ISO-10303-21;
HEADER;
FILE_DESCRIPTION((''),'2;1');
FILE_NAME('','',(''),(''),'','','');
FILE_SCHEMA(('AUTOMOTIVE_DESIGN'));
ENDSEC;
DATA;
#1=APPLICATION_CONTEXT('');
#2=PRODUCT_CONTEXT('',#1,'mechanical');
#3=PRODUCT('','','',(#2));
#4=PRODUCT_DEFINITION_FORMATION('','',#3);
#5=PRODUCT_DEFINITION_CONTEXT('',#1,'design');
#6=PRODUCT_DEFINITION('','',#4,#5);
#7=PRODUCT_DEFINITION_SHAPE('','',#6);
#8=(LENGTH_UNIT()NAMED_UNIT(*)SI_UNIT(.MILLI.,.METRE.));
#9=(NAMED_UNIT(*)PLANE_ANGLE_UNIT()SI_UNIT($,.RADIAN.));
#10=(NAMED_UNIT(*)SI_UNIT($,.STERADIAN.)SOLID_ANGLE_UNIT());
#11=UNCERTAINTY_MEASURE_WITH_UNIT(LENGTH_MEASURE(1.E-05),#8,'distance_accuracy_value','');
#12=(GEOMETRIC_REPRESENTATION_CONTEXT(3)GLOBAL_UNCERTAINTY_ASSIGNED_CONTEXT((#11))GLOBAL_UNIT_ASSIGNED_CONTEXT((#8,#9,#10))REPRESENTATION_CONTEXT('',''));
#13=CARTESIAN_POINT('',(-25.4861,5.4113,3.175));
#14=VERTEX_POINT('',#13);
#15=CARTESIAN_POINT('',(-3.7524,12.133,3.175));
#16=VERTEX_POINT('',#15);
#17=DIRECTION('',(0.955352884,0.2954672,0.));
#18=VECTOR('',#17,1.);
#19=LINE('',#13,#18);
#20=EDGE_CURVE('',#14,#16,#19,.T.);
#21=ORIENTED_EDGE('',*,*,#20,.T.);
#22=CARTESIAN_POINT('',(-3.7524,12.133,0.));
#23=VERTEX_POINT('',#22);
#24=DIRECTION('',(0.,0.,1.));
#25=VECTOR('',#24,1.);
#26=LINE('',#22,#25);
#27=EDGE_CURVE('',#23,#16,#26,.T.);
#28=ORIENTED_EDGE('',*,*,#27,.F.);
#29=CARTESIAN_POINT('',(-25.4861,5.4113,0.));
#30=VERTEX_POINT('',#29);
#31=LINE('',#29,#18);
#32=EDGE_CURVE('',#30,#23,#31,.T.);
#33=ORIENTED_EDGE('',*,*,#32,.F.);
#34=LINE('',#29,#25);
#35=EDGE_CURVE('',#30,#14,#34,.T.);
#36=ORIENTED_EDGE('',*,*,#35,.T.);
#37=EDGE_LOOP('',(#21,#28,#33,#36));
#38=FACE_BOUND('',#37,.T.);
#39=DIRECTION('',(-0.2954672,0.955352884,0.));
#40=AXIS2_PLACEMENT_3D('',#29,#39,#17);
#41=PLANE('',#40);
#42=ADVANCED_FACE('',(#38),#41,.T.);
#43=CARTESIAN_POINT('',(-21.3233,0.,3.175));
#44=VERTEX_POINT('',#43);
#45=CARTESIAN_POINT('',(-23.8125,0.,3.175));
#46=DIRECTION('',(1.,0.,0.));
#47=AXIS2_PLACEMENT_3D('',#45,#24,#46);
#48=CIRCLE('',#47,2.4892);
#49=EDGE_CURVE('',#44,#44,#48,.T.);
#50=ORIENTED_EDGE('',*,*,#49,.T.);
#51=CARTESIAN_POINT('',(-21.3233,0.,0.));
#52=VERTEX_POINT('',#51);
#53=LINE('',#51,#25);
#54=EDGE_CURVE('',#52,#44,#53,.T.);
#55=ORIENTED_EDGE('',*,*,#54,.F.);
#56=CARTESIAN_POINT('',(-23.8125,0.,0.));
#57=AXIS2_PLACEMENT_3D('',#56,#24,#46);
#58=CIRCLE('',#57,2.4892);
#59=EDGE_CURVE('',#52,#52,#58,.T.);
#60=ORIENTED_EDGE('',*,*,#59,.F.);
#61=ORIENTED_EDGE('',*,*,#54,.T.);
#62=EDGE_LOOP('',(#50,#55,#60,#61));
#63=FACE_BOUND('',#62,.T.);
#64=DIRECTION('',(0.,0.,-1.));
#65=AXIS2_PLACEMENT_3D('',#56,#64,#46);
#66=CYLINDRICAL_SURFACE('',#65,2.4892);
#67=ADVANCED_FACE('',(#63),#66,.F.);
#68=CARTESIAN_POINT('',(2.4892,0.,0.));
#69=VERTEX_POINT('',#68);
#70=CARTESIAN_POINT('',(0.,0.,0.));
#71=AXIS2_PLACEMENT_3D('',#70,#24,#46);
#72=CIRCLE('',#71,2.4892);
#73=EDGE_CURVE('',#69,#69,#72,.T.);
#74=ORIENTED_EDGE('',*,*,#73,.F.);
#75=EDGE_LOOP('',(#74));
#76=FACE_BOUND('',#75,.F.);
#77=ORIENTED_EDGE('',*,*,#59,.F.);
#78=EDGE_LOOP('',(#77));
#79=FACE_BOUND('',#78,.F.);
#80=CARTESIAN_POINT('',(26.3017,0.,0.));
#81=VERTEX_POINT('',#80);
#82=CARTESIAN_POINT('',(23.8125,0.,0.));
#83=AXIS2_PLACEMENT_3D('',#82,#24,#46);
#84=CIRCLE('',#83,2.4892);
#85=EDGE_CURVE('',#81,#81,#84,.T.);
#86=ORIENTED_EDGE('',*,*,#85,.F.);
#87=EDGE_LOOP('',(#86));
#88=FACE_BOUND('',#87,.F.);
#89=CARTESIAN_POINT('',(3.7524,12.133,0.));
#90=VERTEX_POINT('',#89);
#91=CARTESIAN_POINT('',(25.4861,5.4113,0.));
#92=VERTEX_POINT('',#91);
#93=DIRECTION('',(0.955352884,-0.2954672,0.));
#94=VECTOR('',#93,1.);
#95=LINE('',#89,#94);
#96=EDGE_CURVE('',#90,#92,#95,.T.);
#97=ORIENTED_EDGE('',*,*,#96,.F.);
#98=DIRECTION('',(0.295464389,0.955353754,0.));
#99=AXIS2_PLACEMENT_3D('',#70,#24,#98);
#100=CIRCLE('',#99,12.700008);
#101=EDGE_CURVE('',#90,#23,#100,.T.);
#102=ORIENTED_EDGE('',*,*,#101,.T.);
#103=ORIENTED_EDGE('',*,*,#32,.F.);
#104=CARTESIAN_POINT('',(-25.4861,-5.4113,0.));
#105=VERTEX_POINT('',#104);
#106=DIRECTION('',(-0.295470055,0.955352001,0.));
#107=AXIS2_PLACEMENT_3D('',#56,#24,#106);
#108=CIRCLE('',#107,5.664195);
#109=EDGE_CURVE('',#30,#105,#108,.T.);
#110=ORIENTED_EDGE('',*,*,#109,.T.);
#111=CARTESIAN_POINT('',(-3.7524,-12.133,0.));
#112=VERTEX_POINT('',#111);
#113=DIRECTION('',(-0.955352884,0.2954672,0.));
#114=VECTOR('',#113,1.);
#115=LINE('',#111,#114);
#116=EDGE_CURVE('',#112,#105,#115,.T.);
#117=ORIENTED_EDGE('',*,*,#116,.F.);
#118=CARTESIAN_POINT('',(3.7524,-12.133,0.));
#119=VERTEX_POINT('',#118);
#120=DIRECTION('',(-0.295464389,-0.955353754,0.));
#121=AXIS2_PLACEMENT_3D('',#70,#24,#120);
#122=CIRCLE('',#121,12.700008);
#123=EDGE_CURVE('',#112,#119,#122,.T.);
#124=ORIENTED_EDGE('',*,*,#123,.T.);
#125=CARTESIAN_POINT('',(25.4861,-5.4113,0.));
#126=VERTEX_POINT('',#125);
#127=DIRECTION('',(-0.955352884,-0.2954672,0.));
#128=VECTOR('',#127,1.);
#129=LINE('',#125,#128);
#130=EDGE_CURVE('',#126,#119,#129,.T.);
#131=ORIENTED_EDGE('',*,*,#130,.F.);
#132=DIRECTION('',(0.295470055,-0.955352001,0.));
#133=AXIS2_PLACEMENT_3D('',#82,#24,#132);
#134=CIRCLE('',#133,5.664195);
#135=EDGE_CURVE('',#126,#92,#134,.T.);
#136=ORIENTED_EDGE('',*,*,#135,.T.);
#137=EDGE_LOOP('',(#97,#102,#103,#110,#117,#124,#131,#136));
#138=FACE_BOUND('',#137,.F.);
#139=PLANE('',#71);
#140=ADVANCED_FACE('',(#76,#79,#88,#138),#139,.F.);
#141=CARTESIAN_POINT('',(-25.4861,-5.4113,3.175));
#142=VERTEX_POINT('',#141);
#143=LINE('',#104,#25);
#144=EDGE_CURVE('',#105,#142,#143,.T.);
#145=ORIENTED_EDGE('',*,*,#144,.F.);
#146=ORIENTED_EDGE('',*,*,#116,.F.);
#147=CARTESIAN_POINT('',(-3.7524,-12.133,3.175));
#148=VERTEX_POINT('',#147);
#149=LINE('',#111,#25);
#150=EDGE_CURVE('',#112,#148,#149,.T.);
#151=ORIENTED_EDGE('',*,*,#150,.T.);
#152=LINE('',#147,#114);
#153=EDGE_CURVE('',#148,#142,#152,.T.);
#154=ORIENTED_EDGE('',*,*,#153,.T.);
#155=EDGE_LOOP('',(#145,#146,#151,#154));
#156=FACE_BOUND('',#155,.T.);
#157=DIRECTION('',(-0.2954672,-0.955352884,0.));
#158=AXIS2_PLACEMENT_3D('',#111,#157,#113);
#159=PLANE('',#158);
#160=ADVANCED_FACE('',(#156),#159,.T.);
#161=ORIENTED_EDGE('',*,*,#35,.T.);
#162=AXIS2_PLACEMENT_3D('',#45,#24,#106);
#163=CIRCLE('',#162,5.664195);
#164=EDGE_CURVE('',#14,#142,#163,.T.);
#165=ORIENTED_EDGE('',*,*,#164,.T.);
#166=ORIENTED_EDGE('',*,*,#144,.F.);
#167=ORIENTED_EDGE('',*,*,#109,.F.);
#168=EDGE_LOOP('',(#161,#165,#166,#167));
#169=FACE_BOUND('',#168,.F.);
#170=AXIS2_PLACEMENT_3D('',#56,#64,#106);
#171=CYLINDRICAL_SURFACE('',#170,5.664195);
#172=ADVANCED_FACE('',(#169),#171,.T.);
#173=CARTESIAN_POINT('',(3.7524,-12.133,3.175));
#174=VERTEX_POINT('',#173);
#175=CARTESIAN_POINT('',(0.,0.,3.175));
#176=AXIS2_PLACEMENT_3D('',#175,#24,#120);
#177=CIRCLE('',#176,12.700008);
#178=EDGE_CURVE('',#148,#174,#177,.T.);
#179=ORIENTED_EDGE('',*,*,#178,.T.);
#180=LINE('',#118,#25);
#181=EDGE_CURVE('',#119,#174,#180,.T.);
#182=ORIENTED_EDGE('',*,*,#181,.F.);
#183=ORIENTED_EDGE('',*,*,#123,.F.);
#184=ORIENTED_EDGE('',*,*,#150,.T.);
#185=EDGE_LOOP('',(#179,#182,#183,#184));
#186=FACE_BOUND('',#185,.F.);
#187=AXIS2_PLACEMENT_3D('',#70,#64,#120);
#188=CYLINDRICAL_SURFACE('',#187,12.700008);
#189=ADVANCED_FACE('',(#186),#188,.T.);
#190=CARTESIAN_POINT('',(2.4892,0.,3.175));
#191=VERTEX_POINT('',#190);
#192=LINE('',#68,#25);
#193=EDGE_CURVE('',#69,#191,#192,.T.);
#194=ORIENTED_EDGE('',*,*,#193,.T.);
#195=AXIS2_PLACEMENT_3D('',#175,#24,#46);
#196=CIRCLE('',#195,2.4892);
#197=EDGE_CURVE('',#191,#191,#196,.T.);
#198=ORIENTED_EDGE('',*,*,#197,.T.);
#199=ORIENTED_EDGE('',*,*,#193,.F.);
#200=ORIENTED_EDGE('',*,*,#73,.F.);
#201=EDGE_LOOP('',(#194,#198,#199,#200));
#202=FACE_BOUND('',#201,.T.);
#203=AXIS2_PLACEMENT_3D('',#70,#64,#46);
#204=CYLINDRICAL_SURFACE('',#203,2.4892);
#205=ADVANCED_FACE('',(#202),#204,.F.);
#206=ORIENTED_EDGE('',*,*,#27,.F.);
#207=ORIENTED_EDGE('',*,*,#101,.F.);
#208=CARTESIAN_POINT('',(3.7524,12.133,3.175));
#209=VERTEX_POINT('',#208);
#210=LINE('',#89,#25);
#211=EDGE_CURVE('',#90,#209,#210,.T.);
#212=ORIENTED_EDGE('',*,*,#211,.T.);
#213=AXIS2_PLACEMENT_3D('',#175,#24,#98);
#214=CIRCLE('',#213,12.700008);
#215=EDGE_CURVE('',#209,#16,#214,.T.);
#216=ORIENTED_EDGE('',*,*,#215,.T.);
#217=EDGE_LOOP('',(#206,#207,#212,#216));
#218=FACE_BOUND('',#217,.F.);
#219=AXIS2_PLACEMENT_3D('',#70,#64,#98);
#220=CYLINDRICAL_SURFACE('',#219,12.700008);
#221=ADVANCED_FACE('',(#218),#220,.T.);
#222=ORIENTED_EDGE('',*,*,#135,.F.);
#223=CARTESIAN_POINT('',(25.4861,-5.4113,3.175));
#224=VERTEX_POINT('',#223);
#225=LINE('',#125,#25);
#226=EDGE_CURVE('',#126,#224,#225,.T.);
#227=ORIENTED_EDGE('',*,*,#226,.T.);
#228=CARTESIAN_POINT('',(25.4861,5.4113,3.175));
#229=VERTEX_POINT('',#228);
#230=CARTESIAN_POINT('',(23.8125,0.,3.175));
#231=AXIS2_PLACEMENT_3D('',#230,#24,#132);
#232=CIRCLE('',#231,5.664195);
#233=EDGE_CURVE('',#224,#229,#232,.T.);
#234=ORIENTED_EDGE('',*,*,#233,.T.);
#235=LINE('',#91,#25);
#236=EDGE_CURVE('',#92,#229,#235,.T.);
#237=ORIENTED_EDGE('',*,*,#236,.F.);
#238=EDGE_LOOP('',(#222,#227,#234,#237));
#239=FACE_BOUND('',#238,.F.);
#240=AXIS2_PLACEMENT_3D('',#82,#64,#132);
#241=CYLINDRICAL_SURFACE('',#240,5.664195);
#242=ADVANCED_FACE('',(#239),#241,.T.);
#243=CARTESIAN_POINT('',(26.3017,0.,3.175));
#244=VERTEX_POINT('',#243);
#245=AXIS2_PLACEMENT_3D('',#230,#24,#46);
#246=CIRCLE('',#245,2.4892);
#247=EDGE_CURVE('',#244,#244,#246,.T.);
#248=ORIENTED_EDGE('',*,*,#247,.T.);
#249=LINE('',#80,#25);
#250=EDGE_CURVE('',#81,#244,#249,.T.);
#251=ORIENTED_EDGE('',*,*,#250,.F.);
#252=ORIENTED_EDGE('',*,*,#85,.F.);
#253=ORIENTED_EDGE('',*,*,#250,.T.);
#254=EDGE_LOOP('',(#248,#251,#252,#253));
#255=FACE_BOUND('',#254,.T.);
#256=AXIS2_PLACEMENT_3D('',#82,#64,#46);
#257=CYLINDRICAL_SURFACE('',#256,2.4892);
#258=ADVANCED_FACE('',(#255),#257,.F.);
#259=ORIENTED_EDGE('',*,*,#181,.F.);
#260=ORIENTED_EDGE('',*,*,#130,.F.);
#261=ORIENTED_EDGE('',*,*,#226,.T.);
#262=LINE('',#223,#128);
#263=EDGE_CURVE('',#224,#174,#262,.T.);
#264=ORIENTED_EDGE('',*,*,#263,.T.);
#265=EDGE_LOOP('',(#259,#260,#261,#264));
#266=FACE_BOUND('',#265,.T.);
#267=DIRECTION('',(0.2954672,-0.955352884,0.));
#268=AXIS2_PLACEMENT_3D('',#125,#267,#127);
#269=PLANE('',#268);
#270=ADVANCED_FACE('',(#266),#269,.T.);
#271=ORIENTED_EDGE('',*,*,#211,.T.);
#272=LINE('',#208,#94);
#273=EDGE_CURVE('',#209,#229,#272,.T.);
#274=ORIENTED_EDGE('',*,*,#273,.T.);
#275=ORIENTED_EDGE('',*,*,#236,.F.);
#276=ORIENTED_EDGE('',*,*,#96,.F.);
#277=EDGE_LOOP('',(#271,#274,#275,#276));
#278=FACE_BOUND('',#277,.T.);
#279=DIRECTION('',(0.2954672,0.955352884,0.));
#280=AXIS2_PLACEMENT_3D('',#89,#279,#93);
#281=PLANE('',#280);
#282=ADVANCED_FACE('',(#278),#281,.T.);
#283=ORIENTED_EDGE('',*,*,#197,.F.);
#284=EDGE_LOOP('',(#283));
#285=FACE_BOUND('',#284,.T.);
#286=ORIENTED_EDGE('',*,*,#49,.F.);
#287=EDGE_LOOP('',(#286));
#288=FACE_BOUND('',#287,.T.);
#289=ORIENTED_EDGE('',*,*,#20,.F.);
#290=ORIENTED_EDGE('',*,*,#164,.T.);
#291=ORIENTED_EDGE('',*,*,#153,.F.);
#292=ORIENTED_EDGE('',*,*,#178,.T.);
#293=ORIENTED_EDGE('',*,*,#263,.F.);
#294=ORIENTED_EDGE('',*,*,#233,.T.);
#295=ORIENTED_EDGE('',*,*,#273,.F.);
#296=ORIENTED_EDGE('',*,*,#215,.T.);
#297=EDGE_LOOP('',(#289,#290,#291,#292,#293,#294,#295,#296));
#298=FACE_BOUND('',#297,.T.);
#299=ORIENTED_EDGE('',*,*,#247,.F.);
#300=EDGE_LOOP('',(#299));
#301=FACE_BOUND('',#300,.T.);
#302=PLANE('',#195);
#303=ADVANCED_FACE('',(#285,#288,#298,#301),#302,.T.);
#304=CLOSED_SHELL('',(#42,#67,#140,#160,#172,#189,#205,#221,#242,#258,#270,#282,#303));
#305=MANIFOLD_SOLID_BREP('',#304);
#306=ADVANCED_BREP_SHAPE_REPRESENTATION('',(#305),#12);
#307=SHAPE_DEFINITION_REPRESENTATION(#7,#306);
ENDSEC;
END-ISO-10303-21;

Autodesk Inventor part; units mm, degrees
ref_plane "YZ Plane" through (0, 0, 0) normal (1, 0, 0) x (0, 1, 0)
ref_plane "XZ Plane" through (0, 0, 0) normal (0, 1, 0) x (-1, 0, 0)
ref_plane "XY Plane" through (0, 0, 0) normal (0, 0, 1) x (1, 0, 0)
sketch "Sketch1" plane through (0, 0, 0) normal (0, 0, 1) x (1, 0, 0)
  circle A0 centre (0, 0) radius 23.8125 construction
  circle A1 centre (-23.8125, 0) radius 2.4892
  circle A2 centre (23.8125, 0) radius 2.4892
  line L0 (-23.8125, 0) -> (23.8125, 0) construction
  circle A3 centre (0, 0) radius 2.4892
  arc A4 (-25.4861, 5.4113) -> (-25.4861, -5.4113) centre (-23.8125, 0) ccw
  arc A5 (25.4861, -5.4113) -> (25.4861, 5.4113) centre (23.8125, 0) ccw
  line L1 (-25.4861, 5.4113) -> (-3.7524, 12.133)
  line L2 (3.7524, 12.133) -> (25.4861, 5.4113)
  line L3 (25.4861, -5.4113) -> (3.7524, -12.133)
  line L4 (-3.7524, -12.133) -> (-25.4861, -5.4113)
  arc A6 (-3.7524, -12.133) -> (3.7524, -12.133) centre (0, 0) ccw
  arc A7 (3.7524, 12.133) -> (-3.7524, 12.133) centre (0, 0) ccw
  dimension "d0" = 47.625
  dimension "d1" = 4.9784
  dimension "d2" = 3.175
  dimension "d4" = 12.7
  dimension "d5" = 12.7
extrude "Extrusion1" add sketch "Sketch1" along normal blind 3.175
properties part number "Pison Shaft Replacement Screw Plate" material "Thermoplastic Resin"
